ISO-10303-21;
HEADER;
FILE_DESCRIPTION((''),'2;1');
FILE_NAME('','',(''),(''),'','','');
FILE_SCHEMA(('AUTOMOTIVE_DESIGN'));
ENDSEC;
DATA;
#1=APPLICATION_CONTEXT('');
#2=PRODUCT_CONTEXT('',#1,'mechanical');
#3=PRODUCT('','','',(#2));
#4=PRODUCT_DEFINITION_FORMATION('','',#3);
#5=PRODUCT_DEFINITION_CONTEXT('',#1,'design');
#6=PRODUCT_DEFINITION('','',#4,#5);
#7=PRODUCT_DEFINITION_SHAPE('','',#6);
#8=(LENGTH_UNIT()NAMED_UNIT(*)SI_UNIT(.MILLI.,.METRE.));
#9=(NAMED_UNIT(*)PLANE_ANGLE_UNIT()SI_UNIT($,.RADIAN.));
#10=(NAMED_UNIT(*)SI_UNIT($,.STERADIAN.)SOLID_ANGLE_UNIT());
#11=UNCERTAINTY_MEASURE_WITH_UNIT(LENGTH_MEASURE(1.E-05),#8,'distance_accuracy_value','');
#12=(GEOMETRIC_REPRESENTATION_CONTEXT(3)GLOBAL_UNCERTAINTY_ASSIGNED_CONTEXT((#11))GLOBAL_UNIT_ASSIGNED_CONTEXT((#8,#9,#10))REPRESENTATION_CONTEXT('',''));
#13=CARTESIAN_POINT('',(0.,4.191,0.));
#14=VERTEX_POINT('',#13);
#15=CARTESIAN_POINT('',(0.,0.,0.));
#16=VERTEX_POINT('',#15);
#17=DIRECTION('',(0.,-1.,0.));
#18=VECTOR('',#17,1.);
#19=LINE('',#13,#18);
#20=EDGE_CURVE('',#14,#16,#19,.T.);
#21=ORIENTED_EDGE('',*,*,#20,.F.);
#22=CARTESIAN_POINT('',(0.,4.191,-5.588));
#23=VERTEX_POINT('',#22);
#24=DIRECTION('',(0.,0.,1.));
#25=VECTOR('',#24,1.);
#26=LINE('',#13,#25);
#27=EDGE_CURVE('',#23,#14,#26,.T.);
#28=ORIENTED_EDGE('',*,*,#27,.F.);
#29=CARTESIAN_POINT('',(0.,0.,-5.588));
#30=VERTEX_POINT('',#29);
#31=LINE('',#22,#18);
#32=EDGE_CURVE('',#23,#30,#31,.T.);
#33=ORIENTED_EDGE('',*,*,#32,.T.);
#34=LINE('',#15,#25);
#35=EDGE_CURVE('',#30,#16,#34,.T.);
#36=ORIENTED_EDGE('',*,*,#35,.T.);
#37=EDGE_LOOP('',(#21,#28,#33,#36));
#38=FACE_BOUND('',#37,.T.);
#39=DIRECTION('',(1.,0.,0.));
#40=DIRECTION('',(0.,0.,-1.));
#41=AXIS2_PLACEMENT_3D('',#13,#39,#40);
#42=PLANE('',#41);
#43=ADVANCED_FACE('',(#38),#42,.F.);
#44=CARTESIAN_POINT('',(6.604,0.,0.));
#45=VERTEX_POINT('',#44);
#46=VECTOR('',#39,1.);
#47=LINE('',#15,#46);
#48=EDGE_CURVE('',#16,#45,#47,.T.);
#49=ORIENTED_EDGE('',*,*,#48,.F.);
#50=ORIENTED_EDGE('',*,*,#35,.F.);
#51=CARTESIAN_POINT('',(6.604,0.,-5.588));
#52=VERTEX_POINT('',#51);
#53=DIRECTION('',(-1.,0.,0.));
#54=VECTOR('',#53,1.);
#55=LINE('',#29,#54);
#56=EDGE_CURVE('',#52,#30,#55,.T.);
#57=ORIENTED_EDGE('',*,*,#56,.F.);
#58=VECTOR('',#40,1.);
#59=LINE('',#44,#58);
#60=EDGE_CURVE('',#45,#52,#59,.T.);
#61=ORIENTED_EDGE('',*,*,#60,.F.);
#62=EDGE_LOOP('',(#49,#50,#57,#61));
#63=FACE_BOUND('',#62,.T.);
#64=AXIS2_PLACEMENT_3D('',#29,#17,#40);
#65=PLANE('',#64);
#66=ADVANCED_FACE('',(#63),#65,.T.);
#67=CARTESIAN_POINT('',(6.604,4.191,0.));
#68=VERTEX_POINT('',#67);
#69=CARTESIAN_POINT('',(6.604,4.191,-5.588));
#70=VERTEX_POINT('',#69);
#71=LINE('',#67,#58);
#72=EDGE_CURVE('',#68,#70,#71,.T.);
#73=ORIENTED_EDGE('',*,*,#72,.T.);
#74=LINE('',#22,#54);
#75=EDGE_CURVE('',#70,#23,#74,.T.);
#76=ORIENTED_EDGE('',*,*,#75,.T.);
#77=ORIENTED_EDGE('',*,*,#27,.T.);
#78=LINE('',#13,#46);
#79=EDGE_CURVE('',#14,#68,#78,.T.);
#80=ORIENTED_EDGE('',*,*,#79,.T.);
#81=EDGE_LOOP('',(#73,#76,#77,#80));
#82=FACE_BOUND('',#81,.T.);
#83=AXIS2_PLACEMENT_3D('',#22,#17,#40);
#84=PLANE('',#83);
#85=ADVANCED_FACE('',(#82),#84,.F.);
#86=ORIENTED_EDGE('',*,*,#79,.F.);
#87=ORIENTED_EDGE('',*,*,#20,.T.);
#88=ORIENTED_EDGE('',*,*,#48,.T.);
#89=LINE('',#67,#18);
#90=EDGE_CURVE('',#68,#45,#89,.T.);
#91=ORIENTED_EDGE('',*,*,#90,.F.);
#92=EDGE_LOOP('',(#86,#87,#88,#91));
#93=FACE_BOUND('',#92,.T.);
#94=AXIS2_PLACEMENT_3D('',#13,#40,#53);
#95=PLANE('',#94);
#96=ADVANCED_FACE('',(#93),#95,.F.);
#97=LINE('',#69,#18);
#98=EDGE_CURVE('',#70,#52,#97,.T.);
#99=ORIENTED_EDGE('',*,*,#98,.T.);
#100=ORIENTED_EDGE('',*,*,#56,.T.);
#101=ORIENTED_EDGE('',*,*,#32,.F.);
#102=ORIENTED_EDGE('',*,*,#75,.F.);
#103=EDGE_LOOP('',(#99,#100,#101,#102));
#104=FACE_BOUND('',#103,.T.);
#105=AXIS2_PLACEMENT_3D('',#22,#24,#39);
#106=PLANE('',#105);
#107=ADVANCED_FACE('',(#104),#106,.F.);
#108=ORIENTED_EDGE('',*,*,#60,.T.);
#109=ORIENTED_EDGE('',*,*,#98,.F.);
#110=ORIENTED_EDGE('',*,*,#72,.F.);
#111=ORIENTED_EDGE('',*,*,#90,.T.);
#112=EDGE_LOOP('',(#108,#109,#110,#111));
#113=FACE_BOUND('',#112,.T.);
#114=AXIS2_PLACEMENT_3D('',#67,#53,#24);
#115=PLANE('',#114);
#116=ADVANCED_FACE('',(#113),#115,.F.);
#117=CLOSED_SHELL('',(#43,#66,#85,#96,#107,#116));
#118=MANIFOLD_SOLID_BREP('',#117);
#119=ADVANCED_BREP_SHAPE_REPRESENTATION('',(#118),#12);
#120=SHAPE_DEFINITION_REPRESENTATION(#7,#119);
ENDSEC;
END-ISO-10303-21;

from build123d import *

# Parameters (mm, degrees)
SKETCH1_W      = 6.604
SKETCH1_H      = 5.588
EXTRUDE1_DEPTH = 4.191


with BuildPart() as part:
    # Sketch1 → Extrude1 (new body)
    with BuildSketch(Plane(origin=(0, 0, 0), x_dir=(1, 0, 0), z_dir=(0, 1, 0))):
        with Locations((3.302, 2.794)):
            Rectangle(SKETCH1_W, SKETCH1_H)
    extrude(amount=EXTRUDE1_DEPTH)


solid = part.part
